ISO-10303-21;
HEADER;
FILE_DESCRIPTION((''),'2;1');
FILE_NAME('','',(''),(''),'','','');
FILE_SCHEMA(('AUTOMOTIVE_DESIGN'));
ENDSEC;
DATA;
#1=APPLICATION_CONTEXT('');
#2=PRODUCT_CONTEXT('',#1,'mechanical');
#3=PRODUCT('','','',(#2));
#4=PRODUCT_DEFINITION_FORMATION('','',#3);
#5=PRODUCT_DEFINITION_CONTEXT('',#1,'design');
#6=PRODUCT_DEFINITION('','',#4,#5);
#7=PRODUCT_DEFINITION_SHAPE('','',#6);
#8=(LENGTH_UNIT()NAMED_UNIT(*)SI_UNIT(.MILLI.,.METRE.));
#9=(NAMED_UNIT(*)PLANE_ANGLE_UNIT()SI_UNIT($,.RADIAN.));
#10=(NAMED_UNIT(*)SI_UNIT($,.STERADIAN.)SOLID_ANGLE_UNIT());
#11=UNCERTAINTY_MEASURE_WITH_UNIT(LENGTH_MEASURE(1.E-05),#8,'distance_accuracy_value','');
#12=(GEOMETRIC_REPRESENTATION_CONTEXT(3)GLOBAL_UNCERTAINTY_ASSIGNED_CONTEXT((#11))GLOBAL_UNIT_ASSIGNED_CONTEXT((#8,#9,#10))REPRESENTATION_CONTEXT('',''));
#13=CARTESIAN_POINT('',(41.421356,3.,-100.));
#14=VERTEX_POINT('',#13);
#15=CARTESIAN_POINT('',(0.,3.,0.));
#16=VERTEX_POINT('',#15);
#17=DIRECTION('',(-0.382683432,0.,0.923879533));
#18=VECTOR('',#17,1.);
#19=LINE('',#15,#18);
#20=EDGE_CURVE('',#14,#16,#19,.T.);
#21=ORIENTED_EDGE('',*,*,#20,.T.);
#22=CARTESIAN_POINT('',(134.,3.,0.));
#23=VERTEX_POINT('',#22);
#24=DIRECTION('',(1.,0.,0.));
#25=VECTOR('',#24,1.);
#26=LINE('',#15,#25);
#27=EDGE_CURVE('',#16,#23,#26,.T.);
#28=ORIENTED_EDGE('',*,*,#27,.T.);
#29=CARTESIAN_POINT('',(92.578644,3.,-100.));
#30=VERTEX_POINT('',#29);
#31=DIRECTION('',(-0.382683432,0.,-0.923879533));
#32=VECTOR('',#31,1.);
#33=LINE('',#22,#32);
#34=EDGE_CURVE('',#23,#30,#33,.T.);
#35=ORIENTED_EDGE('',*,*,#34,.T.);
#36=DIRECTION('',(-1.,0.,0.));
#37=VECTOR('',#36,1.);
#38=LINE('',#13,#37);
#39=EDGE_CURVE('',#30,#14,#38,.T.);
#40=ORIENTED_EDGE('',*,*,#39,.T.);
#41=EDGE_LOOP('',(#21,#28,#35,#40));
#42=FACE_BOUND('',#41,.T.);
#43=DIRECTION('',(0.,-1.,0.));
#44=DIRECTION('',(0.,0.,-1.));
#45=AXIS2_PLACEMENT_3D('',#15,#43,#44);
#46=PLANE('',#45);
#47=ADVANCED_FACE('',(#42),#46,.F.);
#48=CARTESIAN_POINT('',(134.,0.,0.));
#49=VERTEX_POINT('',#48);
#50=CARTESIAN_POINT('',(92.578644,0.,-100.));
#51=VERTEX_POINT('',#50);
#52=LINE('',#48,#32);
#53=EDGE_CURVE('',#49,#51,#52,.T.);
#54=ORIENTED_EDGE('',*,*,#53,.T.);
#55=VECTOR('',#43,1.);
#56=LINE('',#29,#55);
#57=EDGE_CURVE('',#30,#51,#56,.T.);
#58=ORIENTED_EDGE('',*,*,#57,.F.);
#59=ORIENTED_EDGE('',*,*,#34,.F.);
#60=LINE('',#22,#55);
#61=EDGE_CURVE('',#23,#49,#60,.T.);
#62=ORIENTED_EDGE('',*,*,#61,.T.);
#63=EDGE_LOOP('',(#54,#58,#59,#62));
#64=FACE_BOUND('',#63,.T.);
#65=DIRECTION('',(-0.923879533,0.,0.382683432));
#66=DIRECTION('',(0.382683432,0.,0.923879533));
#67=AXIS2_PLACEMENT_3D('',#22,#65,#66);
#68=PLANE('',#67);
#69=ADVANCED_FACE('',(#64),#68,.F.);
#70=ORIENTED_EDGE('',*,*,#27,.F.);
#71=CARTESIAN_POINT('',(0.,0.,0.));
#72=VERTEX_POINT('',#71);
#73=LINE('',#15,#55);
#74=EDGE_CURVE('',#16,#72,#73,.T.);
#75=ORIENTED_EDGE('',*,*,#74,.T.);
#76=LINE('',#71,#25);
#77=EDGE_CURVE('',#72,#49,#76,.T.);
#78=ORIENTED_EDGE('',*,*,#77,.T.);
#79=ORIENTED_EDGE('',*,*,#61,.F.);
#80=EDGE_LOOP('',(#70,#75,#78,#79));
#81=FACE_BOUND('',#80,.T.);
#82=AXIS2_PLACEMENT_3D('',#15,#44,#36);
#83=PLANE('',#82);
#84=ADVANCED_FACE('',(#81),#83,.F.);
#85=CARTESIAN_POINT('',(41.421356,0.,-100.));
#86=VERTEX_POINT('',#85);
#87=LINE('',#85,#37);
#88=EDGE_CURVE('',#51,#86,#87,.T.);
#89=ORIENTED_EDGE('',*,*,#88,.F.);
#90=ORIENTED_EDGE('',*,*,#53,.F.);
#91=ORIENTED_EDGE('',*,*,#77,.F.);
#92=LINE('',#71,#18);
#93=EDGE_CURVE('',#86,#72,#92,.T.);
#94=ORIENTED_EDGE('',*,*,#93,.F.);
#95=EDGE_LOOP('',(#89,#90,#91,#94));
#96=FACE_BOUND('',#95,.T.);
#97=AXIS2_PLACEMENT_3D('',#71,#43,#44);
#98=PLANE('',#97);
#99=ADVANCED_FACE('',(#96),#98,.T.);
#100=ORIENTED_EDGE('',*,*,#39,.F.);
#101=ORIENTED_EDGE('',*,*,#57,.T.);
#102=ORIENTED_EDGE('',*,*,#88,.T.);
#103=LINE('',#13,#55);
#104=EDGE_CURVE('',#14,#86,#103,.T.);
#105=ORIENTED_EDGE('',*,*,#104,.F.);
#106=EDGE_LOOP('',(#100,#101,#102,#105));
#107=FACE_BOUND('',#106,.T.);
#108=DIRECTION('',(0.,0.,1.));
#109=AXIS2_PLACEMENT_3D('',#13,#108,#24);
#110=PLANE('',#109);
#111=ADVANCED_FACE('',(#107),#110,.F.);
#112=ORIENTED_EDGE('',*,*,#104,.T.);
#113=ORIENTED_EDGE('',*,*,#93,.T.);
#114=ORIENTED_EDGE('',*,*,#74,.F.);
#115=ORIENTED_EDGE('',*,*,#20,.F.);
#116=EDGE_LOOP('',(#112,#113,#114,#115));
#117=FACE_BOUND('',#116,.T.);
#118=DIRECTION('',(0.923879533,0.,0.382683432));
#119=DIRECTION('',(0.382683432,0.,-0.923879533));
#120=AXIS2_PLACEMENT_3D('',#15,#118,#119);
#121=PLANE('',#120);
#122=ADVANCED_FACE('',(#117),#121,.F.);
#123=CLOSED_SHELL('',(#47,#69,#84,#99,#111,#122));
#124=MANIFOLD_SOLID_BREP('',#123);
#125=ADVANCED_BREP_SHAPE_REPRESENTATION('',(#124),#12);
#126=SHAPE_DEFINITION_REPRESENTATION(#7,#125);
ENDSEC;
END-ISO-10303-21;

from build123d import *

# Parameters (mm, degrees)
BOSS_EXTRUDE1_DEPTH = 3


with BuildPart() as part:
    # Sketch1 → Boss-Extrude1 (new body)
    with BuildSketch(Plane(origin=(0, 0, 0), x_dir=(1, 0, 0), z_dir=(0, 1, 0))):
        Polygon((0, 0), (134, 0), (92.578643763, 100), (41.421356237, 100), align=None)
    extrude(amount=BOSS_EXTRUDE1_DEPTH)


solid = part.part
